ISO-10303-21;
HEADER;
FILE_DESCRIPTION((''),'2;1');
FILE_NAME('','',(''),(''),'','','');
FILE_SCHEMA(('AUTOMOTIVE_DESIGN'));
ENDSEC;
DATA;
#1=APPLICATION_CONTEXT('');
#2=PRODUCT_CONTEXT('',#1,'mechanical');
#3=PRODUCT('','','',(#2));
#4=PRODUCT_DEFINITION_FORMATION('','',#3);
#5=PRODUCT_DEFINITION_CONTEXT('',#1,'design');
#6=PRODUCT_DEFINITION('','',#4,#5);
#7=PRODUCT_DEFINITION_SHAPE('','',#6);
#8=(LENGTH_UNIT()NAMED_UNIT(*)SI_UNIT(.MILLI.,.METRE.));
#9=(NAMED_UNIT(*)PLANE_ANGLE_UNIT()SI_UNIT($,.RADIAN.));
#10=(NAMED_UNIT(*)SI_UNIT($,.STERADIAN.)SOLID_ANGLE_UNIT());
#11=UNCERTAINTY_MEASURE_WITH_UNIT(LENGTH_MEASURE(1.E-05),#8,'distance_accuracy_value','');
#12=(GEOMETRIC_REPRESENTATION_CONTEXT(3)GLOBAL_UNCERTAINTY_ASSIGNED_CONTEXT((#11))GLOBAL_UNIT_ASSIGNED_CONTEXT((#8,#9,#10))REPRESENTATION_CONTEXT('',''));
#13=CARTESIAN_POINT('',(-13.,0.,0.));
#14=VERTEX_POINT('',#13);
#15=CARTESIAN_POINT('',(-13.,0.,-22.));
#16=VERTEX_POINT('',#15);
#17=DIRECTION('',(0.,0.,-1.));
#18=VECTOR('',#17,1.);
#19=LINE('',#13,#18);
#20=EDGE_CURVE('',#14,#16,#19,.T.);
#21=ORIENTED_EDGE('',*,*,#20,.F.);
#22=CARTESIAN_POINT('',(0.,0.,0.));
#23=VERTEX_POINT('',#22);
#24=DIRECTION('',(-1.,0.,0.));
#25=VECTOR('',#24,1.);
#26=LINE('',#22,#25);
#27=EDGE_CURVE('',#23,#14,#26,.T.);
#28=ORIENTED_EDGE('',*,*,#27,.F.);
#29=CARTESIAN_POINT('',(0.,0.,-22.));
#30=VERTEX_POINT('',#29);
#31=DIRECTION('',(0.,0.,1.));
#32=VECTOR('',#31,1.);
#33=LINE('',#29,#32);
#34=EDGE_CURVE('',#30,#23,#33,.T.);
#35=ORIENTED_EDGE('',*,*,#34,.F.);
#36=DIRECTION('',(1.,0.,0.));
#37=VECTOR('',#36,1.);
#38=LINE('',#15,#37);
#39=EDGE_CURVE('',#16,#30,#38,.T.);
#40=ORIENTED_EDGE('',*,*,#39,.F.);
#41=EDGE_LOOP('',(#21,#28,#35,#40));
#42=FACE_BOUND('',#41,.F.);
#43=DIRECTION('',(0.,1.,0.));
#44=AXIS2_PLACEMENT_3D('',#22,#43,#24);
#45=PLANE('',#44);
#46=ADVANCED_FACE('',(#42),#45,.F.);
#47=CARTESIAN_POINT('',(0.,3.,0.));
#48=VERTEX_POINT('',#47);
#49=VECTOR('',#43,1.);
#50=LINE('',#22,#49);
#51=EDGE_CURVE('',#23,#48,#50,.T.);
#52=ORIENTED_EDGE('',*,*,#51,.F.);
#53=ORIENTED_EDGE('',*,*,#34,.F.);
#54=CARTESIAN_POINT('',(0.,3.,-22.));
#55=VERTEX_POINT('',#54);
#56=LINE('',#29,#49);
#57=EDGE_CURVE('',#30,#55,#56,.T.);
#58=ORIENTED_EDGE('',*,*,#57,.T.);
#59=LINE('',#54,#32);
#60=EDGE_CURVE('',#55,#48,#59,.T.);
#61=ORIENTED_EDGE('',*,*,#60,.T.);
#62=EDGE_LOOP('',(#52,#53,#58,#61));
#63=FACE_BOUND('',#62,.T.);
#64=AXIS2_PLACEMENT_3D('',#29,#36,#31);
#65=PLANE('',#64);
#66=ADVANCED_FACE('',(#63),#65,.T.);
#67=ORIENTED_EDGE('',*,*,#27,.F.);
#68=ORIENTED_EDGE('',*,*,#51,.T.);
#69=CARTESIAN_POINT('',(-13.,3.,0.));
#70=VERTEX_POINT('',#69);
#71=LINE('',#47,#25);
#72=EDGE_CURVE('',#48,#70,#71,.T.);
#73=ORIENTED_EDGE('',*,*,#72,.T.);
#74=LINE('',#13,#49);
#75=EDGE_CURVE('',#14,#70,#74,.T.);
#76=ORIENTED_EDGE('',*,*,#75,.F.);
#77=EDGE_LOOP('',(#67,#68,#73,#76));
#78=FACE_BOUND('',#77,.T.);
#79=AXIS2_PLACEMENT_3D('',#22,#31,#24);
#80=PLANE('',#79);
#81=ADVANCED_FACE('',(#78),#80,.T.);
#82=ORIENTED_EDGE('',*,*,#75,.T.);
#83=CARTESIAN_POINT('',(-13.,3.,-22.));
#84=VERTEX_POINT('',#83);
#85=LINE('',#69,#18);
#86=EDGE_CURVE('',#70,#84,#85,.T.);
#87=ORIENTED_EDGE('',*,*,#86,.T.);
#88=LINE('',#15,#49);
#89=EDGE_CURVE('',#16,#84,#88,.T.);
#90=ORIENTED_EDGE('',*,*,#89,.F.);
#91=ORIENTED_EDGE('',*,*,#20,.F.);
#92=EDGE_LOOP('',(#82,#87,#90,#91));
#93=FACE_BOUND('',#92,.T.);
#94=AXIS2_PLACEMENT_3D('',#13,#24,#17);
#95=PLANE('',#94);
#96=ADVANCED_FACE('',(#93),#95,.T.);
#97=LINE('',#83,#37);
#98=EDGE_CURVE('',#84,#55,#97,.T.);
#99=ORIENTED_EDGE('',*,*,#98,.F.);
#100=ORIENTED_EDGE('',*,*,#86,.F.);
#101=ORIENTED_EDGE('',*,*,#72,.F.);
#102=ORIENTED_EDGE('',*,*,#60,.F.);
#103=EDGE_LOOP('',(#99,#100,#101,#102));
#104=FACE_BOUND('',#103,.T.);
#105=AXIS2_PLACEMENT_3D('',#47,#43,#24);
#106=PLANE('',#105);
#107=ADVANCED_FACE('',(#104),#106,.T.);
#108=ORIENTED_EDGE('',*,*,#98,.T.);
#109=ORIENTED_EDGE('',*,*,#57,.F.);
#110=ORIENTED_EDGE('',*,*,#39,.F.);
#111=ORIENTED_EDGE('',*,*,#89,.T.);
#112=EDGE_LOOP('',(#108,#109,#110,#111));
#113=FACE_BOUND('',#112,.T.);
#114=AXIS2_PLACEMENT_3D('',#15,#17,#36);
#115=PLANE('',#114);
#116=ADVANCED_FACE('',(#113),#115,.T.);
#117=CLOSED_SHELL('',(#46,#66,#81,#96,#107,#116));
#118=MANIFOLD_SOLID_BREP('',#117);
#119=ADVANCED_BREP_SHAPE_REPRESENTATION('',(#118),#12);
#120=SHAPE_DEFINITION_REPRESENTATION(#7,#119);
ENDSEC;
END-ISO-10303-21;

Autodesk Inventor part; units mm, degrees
ref_plane "YZ Plane" through (0, 0, 0) normal (1, 0, 0) x (0, 1, 0)
ref_plane "XZ Plane" through (0, 0, 0) normal (0, 1, 0) x (-1, 0, 0)
ref_plane "XY Plane" through (0, 0, 0) normal (0, 0, 1) x (1, 0, 0)
sketch "草图1" plane through (0, 0, 0) normal (0, 1, 0) x (-1, 0, 0)
  line L0 (0, 0) -> (13, 0)
  line L1 (13, 0) -> (13, -22)
  line L2 (13, -22) -> (0, -22)
  line L3 (0, -22) -> (0, 0)
  dimension "d0" = 22
  dimension "d1" = 13
extrude "拉伸1" add sketch "草图1" along normal blind 3
sketch "草图2" plane through (0, 3, 0) normal (0, 1, 0) x (1, 0, 0)
  line L0 (-14.56, 12.451) -> (2.2065, 12.451) construction
  line L1 (2.2065, 12.451) -> (2.2065, 8.5706) construction
  line L2 (2.2065, 8.5706) -> (-14.56, 8.5706) construction
  line L3 (-14.56, 8.5706) -> (-14.56, 12.451) construction
properties part number "无线发射模块"
